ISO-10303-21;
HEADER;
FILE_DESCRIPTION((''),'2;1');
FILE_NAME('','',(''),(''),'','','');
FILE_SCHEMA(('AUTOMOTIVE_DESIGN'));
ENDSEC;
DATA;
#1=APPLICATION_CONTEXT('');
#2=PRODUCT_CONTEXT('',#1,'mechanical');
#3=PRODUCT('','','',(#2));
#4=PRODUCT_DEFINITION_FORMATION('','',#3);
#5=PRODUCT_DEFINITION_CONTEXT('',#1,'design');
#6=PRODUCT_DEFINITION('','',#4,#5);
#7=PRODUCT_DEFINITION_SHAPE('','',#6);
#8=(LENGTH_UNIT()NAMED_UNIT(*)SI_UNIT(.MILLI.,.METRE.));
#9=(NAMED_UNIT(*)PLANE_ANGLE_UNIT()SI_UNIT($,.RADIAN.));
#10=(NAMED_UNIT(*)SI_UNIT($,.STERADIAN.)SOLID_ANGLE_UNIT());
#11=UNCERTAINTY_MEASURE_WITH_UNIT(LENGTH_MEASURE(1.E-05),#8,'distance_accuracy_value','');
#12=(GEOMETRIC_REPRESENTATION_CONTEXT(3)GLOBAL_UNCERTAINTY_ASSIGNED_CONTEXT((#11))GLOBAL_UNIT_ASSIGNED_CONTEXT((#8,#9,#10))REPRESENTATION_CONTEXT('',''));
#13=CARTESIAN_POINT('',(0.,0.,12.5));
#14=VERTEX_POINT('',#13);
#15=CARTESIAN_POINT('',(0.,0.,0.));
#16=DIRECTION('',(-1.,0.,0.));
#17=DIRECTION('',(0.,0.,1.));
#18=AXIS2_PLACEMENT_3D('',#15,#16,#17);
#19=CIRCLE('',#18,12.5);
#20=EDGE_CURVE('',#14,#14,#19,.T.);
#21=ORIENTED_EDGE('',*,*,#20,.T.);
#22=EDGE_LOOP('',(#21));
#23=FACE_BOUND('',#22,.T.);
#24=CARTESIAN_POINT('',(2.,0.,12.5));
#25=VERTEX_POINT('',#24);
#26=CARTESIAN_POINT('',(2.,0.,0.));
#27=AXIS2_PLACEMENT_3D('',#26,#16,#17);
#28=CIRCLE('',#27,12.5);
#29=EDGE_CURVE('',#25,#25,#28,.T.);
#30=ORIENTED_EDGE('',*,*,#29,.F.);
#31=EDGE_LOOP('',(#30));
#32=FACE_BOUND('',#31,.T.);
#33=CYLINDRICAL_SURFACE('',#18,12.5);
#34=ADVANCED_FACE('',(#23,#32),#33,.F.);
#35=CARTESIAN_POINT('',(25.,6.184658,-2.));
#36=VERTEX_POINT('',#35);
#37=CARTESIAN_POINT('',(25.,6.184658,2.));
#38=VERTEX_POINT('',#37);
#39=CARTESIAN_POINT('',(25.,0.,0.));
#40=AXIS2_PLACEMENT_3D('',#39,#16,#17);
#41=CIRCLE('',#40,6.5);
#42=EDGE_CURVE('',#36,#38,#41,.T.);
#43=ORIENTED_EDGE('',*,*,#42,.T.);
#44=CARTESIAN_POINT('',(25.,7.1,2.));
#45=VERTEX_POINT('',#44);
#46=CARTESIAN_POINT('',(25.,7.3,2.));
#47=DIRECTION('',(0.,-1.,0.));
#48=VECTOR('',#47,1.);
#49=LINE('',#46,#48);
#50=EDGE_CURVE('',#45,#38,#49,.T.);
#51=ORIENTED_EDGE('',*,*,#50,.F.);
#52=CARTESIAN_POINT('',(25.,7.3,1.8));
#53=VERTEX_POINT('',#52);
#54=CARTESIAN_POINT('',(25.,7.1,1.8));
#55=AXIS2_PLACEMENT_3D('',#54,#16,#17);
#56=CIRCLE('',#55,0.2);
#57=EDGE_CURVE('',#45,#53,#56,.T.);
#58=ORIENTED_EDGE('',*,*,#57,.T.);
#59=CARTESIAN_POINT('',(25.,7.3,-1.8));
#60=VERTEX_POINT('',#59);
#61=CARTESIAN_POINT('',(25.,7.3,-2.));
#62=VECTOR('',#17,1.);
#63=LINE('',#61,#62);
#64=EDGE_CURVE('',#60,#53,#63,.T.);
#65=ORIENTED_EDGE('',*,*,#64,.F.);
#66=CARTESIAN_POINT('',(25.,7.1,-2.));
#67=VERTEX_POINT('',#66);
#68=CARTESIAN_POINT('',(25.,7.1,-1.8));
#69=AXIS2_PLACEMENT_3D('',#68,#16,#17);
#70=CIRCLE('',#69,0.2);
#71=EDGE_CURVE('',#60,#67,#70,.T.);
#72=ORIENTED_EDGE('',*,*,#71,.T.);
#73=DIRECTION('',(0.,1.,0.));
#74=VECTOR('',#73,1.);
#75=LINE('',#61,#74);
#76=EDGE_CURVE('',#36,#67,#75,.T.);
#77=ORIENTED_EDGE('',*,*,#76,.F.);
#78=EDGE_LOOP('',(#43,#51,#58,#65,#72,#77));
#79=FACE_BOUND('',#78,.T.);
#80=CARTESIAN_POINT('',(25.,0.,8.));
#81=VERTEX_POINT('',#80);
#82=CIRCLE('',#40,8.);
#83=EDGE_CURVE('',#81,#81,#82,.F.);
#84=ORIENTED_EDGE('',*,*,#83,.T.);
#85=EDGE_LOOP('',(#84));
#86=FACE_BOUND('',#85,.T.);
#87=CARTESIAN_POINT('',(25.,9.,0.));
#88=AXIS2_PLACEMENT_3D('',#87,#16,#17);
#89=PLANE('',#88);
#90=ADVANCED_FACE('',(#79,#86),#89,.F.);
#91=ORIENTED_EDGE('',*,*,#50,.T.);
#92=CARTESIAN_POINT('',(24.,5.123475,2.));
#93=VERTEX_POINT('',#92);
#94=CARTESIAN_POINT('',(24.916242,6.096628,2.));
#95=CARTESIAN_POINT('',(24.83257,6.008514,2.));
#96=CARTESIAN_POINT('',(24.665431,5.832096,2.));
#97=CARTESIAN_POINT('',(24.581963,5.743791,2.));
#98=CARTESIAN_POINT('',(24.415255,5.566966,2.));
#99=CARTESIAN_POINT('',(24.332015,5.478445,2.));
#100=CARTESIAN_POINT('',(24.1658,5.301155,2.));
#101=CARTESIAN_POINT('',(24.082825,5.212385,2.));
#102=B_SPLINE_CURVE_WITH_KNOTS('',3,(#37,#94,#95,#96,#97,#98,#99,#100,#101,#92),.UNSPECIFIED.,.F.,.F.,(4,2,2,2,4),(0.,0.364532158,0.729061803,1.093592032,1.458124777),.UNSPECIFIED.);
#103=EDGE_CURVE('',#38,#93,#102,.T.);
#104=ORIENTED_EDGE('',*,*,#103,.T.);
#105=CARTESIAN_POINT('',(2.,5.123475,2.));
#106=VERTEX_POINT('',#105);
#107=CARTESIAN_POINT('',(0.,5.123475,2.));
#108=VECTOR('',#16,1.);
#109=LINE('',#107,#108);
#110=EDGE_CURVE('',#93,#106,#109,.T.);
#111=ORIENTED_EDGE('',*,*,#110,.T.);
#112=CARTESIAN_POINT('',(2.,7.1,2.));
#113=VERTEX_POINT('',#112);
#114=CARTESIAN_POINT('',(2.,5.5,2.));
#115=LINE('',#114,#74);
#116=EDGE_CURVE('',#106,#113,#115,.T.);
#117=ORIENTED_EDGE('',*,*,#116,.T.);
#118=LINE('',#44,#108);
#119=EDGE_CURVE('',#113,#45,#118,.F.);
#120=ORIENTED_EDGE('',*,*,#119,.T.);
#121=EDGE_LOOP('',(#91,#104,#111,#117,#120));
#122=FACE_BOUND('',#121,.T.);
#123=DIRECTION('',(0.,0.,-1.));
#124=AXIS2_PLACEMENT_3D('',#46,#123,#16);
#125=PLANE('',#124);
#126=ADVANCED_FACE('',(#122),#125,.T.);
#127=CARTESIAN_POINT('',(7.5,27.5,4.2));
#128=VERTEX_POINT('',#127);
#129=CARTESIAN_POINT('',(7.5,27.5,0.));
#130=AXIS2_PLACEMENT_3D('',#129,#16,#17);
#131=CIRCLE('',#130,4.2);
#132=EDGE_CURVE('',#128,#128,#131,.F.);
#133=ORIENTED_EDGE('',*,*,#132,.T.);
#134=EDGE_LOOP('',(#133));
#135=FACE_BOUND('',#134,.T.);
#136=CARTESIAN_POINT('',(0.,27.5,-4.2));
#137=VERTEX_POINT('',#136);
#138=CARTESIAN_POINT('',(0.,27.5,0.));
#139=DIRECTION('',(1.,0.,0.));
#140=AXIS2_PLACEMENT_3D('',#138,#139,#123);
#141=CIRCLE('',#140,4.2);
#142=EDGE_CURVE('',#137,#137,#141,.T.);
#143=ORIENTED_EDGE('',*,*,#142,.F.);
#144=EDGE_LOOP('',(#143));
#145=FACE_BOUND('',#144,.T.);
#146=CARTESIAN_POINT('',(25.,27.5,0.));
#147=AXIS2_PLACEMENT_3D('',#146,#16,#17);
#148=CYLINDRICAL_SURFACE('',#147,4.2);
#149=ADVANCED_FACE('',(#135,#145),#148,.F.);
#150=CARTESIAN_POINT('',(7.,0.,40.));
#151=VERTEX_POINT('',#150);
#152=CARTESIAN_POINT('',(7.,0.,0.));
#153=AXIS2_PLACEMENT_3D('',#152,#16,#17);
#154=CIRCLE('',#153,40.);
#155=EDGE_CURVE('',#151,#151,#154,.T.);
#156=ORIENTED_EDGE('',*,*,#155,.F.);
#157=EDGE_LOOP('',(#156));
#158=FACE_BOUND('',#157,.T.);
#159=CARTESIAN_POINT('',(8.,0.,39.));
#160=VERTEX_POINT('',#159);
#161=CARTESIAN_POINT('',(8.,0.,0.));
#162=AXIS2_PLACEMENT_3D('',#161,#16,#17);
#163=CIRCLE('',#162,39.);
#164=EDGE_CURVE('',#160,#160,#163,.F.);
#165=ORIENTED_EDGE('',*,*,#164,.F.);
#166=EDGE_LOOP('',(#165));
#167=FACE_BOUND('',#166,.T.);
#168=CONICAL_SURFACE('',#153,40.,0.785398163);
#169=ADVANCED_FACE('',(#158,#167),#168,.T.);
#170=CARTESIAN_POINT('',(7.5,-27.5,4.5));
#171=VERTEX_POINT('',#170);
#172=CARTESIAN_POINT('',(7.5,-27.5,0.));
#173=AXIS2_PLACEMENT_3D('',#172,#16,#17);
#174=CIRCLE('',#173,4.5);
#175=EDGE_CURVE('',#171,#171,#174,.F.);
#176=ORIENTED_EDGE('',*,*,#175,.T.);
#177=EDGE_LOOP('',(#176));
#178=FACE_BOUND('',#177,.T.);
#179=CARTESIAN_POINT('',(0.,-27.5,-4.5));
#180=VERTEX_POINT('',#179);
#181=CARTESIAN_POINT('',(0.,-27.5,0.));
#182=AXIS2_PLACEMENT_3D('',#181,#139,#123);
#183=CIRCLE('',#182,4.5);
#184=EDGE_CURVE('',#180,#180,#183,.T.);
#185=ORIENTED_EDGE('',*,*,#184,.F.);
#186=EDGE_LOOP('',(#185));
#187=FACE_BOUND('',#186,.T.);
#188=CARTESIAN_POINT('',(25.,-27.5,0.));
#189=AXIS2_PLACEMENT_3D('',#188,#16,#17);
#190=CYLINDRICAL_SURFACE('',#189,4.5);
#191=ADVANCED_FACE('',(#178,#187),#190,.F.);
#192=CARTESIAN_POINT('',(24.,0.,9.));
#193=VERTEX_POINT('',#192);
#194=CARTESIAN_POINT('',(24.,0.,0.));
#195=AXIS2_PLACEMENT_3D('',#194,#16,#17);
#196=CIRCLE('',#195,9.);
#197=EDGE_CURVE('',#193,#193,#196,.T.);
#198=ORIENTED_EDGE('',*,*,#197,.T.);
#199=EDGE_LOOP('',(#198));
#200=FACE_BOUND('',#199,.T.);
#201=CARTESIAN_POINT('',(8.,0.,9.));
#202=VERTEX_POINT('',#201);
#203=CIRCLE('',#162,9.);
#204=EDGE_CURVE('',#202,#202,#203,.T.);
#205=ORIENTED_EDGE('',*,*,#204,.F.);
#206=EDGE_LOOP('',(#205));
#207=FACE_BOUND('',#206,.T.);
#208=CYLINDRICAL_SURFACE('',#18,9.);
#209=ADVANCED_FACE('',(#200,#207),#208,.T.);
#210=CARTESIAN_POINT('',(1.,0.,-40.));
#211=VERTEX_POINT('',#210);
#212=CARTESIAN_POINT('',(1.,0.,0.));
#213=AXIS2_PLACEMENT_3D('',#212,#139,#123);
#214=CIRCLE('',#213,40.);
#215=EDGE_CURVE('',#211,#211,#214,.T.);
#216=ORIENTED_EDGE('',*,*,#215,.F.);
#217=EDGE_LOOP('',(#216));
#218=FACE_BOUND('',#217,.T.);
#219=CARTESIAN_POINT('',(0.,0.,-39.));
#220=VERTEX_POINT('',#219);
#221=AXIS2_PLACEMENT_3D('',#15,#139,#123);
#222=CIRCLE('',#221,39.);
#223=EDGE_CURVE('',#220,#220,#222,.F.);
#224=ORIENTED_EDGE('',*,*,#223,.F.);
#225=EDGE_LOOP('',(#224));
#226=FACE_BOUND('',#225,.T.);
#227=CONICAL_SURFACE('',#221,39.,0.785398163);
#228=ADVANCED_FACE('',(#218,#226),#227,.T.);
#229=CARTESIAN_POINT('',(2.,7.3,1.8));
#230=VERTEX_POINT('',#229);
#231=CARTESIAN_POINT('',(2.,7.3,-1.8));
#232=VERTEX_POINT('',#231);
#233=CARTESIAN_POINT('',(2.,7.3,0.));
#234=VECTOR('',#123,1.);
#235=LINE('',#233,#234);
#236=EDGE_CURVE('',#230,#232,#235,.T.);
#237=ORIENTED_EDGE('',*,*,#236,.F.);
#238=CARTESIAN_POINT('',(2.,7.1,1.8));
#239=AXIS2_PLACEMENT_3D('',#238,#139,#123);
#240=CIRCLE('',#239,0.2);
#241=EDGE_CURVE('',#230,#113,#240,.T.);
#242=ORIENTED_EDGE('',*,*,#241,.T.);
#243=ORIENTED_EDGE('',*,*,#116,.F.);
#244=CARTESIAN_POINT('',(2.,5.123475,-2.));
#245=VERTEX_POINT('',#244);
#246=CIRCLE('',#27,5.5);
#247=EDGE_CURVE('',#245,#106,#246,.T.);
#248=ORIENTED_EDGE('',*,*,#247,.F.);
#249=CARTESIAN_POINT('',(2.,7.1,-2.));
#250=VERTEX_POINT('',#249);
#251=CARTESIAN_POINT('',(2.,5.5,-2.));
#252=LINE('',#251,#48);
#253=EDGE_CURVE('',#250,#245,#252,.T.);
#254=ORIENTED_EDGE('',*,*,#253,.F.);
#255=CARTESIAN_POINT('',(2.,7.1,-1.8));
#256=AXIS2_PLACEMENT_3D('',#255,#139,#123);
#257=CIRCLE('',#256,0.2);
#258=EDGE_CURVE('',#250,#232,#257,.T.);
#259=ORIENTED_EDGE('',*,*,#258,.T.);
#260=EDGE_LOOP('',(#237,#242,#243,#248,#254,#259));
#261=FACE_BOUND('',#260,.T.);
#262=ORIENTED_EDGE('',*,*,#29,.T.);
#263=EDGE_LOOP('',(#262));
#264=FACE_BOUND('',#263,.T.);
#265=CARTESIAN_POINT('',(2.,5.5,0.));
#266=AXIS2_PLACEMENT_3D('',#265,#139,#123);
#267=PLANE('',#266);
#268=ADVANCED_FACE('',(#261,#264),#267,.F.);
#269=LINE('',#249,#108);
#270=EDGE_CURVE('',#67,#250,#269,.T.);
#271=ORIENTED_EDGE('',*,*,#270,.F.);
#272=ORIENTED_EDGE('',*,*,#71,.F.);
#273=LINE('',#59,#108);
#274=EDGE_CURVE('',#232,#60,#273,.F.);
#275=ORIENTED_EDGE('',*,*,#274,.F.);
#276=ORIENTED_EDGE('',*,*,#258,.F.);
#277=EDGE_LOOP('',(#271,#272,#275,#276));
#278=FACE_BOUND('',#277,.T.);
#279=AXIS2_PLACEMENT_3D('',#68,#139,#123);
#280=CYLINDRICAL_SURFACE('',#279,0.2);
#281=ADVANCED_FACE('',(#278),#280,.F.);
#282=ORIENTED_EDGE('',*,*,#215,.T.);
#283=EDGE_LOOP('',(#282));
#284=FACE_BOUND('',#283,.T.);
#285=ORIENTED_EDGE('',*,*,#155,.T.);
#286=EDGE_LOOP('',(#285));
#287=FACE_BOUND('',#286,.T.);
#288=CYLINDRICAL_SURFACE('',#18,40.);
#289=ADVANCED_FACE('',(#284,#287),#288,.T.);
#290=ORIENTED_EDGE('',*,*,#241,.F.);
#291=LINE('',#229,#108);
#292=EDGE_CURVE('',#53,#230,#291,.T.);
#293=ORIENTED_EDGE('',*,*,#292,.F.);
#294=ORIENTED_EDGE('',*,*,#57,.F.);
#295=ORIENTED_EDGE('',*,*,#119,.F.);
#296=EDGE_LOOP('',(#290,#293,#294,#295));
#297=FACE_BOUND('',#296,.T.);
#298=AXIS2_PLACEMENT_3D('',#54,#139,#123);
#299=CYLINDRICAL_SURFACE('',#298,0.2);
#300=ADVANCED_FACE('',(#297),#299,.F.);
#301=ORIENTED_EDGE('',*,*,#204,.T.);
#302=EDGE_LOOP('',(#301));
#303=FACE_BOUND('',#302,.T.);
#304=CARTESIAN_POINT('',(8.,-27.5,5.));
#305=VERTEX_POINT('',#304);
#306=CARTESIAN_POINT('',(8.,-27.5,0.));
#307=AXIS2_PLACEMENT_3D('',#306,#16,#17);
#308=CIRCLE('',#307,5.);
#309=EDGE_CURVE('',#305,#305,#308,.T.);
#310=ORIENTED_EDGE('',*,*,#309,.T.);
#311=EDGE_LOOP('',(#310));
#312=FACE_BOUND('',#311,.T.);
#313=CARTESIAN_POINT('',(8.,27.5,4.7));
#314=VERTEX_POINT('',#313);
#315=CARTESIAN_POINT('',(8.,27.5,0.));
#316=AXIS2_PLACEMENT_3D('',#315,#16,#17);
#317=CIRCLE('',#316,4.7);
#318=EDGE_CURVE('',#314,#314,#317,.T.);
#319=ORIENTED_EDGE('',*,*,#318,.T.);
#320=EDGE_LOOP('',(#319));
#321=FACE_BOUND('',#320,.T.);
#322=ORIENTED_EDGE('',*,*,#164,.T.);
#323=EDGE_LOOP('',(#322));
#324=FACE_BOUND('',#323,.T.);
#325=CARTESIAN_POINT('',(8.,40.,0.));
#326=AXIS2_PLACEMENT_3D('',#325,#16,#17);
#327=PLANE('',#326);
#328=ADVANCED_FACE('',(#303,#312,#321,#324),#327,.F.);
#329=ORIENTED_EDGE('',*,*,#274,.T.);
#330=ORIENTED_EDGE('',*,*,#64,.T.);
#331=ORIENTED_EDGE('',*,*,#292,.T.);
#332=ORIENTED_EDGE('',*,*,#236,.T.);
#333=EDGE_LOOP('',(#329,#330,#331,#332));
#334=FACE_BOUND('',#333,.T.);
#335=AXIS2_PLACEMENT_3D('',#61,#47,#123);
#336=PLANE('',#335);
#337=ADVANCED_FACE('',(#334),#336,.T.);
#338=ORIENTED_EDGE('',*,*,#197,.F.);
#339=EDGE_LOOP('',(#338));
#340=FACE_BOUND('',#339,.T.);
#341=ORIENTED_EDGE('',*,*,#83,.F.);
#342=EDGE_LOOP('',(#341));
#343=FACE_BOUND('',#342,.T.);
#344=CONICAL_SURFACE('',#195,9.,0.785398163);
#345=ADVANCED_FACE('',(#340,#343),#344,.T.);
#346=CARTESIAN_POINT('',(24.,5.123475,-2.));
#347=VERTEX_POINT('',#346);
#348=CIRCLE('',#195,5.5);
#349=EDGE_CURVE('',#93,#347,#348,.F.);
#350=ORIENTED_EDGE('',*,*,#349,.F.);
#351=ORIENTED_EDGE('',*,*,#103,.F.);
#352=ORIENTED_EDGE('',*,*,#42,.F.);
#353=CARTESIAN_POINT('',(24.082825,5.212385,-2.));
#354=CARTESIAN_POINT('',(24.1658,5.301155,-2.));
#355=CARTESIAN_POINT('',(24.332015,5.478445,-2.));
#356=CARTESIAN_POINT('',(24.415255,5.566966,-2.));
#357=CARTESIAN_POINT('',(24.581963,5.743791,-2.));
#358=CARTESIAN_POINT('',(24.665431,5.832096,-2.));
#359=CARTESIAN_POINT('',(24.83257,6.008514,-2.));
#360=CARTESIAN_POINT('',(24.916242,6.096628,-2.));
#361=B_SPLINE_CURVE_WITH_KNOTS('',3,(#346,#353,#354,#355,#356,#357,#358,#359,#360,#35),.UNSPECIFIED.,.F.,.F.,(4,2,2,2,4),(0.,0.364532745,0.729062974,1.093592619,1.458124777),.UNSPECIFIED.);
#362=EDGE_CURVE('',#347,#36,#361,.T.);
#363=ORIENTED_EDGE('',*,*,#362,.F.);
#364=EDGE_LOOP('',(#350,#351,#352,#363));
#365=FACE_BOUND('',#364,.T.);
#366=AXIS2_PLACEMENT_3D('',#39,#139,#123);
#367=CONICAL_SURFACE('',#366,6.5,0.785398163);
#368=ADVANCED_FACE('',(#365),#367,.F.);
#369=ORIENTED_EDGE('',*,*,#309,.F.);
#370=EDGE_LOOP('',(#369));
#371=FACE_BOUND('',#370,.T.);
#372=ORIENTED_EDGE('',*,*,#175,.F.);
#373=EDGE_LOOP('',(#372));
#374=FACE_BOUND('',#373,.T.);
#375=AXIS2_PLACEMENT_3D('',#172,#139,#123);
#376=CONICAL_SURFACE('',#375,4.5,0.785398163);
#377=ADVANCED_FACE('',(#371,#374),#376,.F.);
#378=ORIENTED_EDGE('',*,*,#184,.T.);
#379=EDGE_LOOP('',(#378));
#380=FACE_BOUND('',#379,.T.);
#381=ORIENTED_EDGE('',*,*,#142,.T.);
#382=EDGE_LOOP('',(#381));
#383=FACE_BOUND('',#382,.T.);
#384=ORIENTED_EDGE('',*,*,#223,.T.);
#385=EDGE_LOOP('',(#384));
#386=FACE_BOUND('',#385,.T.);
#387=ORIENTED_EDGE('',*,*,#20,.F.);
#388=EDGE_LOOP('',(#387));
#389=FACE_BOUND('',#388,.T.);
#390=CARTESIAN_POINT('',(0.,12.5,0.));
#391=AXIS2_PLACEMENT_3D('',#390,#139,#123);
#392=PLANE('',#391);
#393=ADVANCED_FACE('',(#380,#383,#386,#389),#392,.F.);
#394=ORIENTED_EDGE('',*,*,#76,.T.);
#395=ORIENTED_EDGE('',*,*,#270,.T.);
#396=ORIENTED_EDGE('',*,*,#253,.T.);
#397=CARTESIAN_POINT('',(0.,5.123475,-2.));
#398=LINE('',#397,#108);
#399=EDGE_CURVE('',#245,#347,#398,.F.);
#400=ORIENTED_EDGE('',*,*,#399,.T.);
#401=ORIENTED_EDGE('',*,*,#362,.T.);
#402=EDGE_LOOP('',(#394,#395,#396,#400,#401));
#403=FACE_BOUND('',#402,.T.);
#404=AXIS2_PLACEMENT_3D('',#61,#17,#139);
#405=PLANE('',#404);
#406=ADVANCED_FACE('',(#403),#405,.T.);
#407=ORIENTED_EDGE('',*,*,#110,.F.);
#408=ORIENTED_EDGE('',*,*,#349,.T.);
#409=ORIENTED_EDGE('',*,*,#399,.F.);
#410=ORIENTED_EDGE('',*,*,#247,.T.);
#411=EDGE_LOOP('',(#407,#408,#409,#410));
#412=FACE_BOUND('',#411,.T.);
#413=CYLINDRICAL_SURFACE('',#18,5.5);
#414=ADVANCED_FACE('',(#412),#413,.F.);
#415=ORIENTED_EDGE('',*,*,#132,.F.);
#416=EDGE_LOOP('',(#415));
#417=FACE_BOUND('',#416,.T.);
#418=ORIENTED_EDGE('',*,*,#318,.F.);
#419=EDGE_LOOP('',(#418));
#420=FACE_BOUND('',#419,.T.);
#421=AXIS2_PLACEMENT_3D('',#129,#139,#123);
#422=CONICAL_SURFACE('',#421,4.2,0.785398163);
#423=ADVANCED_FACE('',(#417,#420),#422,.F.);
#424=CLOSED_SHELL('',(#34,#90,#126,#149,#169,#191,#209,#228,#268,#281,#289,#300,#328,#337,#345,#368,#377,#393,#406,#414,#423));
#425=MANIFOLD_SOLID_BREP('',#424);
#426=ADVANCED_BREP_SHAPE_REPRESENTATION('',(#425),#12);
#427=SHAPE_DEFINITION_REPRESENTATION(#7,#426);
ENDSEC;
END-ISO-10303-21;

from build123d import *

# Parameters (mm, degrees)
SKETCH_2_R          = 4.2
CUT_EXTRUDE_1_DEPTH = 62.846584384
SKETCH_3_R          = 4.5
CUT_EXTRUDE_2_DEPTH = 62.846584384
SKETCH_5_W          = 4
SKETCH_5_H          = 4
CUT_EXTRUDE_3_DEPTH = 62.846584384
FILLET_1_R          = 0.2
CHAMFER_1_SIZE      = 1
CHAMFER_2_SIZE      = 0.5


with BuildPart() as part:
    # Эскиз1 → Повернуть1 (revolve)
    with BuildSketch(Plane.XY, mode=Mode.PRIVATE) as revolve_1_sk:
        Polygon((0, 12.5), (0, 40), (8, 40), (8, 9), (25, 9), (25, 5.5), (2, 5.5), (2, 12.5), align=None)
    revolve(revolve_1_sk.sketch.rotate(Axis((0, 0, 0), (1, 0, 0)), 90), axis=Axis((0, 0, 0), (1, 0, 0)))

    # Эскиз2 → Вырез-Вытянуть1 (cut, through all)
    with BuildSketch(Plane(origin=(0, 0, 0), x_dir=(0, 0, -1), z_dir=(1, 0, 0))):
        with Locations(Location((0, 27.5, 0), (0, 0, 180))):
            Circle(SKETCH_2_R)
    extrude(amount=CUT_EXTRUDE_1_DEPTH, mode=Mode.SUBTRACT)

    # Эскиз3 → Вырез-Вытянуть2 (cut, through all)
    with BuildSketch(Plane(origin=(0, 0, 0), x_dir=(0, 0, -1), z_dir=(1, 0, 0))):
        with Locations(Location((0, -27.5, 0), (0, 0, 180))):
            Circle(SKETCH_3_R)
    extrude(amount=CUT_EXTRUDE_2_DEPTH, mode=Mode.SUBTRACT)

    # Эскиз5 → Вырез-Вытянуть3 (cut, through all)
    with BuildSketch(Plane(origin=(0, 0, 0), x_dir=(0, 0, -1), z_dir=(1, 0, 0))):
        with Locations((0, 5.3)):
            Rectangle(SKETCH_5_W, SKETCH_5_H)
    extrude(amount=CUT_EXTRUDE_3_DEPTH, mode=Mode.SUBTRACT)

    # Скругление1
    fillet_1_edges = [part.edges().sort_by_distance(p)[0] for p in [
        (13.5, 7.3, -2),
        (13.5, 7.3, 2),
    ]]
    fillet(fillet_1_edges, radius=FILLET_1_R)

    # Фаска1
    chamfer_1_edges = [part.edges().sort_by_distance(p)[0] for p in [
        (25, -5.5, 0),
        (25, 0, -9),
        (8, 0, -40),
        (0, 0, -40),
    ]]
    chamfer(chamfer_1_edges, length=CHAMFER_1_SIZE)

    # Фаска2
    chamfer_2_edges = [part.edges().sort_by_distance(p)[0] for p in [
        (8, 27.5, -4.2),
        (8, -27.5, -4.5),
    ]]
    chamfer(chamfer_2_edges, length=CHAMFER_2_SIZE)


solid = part.part
